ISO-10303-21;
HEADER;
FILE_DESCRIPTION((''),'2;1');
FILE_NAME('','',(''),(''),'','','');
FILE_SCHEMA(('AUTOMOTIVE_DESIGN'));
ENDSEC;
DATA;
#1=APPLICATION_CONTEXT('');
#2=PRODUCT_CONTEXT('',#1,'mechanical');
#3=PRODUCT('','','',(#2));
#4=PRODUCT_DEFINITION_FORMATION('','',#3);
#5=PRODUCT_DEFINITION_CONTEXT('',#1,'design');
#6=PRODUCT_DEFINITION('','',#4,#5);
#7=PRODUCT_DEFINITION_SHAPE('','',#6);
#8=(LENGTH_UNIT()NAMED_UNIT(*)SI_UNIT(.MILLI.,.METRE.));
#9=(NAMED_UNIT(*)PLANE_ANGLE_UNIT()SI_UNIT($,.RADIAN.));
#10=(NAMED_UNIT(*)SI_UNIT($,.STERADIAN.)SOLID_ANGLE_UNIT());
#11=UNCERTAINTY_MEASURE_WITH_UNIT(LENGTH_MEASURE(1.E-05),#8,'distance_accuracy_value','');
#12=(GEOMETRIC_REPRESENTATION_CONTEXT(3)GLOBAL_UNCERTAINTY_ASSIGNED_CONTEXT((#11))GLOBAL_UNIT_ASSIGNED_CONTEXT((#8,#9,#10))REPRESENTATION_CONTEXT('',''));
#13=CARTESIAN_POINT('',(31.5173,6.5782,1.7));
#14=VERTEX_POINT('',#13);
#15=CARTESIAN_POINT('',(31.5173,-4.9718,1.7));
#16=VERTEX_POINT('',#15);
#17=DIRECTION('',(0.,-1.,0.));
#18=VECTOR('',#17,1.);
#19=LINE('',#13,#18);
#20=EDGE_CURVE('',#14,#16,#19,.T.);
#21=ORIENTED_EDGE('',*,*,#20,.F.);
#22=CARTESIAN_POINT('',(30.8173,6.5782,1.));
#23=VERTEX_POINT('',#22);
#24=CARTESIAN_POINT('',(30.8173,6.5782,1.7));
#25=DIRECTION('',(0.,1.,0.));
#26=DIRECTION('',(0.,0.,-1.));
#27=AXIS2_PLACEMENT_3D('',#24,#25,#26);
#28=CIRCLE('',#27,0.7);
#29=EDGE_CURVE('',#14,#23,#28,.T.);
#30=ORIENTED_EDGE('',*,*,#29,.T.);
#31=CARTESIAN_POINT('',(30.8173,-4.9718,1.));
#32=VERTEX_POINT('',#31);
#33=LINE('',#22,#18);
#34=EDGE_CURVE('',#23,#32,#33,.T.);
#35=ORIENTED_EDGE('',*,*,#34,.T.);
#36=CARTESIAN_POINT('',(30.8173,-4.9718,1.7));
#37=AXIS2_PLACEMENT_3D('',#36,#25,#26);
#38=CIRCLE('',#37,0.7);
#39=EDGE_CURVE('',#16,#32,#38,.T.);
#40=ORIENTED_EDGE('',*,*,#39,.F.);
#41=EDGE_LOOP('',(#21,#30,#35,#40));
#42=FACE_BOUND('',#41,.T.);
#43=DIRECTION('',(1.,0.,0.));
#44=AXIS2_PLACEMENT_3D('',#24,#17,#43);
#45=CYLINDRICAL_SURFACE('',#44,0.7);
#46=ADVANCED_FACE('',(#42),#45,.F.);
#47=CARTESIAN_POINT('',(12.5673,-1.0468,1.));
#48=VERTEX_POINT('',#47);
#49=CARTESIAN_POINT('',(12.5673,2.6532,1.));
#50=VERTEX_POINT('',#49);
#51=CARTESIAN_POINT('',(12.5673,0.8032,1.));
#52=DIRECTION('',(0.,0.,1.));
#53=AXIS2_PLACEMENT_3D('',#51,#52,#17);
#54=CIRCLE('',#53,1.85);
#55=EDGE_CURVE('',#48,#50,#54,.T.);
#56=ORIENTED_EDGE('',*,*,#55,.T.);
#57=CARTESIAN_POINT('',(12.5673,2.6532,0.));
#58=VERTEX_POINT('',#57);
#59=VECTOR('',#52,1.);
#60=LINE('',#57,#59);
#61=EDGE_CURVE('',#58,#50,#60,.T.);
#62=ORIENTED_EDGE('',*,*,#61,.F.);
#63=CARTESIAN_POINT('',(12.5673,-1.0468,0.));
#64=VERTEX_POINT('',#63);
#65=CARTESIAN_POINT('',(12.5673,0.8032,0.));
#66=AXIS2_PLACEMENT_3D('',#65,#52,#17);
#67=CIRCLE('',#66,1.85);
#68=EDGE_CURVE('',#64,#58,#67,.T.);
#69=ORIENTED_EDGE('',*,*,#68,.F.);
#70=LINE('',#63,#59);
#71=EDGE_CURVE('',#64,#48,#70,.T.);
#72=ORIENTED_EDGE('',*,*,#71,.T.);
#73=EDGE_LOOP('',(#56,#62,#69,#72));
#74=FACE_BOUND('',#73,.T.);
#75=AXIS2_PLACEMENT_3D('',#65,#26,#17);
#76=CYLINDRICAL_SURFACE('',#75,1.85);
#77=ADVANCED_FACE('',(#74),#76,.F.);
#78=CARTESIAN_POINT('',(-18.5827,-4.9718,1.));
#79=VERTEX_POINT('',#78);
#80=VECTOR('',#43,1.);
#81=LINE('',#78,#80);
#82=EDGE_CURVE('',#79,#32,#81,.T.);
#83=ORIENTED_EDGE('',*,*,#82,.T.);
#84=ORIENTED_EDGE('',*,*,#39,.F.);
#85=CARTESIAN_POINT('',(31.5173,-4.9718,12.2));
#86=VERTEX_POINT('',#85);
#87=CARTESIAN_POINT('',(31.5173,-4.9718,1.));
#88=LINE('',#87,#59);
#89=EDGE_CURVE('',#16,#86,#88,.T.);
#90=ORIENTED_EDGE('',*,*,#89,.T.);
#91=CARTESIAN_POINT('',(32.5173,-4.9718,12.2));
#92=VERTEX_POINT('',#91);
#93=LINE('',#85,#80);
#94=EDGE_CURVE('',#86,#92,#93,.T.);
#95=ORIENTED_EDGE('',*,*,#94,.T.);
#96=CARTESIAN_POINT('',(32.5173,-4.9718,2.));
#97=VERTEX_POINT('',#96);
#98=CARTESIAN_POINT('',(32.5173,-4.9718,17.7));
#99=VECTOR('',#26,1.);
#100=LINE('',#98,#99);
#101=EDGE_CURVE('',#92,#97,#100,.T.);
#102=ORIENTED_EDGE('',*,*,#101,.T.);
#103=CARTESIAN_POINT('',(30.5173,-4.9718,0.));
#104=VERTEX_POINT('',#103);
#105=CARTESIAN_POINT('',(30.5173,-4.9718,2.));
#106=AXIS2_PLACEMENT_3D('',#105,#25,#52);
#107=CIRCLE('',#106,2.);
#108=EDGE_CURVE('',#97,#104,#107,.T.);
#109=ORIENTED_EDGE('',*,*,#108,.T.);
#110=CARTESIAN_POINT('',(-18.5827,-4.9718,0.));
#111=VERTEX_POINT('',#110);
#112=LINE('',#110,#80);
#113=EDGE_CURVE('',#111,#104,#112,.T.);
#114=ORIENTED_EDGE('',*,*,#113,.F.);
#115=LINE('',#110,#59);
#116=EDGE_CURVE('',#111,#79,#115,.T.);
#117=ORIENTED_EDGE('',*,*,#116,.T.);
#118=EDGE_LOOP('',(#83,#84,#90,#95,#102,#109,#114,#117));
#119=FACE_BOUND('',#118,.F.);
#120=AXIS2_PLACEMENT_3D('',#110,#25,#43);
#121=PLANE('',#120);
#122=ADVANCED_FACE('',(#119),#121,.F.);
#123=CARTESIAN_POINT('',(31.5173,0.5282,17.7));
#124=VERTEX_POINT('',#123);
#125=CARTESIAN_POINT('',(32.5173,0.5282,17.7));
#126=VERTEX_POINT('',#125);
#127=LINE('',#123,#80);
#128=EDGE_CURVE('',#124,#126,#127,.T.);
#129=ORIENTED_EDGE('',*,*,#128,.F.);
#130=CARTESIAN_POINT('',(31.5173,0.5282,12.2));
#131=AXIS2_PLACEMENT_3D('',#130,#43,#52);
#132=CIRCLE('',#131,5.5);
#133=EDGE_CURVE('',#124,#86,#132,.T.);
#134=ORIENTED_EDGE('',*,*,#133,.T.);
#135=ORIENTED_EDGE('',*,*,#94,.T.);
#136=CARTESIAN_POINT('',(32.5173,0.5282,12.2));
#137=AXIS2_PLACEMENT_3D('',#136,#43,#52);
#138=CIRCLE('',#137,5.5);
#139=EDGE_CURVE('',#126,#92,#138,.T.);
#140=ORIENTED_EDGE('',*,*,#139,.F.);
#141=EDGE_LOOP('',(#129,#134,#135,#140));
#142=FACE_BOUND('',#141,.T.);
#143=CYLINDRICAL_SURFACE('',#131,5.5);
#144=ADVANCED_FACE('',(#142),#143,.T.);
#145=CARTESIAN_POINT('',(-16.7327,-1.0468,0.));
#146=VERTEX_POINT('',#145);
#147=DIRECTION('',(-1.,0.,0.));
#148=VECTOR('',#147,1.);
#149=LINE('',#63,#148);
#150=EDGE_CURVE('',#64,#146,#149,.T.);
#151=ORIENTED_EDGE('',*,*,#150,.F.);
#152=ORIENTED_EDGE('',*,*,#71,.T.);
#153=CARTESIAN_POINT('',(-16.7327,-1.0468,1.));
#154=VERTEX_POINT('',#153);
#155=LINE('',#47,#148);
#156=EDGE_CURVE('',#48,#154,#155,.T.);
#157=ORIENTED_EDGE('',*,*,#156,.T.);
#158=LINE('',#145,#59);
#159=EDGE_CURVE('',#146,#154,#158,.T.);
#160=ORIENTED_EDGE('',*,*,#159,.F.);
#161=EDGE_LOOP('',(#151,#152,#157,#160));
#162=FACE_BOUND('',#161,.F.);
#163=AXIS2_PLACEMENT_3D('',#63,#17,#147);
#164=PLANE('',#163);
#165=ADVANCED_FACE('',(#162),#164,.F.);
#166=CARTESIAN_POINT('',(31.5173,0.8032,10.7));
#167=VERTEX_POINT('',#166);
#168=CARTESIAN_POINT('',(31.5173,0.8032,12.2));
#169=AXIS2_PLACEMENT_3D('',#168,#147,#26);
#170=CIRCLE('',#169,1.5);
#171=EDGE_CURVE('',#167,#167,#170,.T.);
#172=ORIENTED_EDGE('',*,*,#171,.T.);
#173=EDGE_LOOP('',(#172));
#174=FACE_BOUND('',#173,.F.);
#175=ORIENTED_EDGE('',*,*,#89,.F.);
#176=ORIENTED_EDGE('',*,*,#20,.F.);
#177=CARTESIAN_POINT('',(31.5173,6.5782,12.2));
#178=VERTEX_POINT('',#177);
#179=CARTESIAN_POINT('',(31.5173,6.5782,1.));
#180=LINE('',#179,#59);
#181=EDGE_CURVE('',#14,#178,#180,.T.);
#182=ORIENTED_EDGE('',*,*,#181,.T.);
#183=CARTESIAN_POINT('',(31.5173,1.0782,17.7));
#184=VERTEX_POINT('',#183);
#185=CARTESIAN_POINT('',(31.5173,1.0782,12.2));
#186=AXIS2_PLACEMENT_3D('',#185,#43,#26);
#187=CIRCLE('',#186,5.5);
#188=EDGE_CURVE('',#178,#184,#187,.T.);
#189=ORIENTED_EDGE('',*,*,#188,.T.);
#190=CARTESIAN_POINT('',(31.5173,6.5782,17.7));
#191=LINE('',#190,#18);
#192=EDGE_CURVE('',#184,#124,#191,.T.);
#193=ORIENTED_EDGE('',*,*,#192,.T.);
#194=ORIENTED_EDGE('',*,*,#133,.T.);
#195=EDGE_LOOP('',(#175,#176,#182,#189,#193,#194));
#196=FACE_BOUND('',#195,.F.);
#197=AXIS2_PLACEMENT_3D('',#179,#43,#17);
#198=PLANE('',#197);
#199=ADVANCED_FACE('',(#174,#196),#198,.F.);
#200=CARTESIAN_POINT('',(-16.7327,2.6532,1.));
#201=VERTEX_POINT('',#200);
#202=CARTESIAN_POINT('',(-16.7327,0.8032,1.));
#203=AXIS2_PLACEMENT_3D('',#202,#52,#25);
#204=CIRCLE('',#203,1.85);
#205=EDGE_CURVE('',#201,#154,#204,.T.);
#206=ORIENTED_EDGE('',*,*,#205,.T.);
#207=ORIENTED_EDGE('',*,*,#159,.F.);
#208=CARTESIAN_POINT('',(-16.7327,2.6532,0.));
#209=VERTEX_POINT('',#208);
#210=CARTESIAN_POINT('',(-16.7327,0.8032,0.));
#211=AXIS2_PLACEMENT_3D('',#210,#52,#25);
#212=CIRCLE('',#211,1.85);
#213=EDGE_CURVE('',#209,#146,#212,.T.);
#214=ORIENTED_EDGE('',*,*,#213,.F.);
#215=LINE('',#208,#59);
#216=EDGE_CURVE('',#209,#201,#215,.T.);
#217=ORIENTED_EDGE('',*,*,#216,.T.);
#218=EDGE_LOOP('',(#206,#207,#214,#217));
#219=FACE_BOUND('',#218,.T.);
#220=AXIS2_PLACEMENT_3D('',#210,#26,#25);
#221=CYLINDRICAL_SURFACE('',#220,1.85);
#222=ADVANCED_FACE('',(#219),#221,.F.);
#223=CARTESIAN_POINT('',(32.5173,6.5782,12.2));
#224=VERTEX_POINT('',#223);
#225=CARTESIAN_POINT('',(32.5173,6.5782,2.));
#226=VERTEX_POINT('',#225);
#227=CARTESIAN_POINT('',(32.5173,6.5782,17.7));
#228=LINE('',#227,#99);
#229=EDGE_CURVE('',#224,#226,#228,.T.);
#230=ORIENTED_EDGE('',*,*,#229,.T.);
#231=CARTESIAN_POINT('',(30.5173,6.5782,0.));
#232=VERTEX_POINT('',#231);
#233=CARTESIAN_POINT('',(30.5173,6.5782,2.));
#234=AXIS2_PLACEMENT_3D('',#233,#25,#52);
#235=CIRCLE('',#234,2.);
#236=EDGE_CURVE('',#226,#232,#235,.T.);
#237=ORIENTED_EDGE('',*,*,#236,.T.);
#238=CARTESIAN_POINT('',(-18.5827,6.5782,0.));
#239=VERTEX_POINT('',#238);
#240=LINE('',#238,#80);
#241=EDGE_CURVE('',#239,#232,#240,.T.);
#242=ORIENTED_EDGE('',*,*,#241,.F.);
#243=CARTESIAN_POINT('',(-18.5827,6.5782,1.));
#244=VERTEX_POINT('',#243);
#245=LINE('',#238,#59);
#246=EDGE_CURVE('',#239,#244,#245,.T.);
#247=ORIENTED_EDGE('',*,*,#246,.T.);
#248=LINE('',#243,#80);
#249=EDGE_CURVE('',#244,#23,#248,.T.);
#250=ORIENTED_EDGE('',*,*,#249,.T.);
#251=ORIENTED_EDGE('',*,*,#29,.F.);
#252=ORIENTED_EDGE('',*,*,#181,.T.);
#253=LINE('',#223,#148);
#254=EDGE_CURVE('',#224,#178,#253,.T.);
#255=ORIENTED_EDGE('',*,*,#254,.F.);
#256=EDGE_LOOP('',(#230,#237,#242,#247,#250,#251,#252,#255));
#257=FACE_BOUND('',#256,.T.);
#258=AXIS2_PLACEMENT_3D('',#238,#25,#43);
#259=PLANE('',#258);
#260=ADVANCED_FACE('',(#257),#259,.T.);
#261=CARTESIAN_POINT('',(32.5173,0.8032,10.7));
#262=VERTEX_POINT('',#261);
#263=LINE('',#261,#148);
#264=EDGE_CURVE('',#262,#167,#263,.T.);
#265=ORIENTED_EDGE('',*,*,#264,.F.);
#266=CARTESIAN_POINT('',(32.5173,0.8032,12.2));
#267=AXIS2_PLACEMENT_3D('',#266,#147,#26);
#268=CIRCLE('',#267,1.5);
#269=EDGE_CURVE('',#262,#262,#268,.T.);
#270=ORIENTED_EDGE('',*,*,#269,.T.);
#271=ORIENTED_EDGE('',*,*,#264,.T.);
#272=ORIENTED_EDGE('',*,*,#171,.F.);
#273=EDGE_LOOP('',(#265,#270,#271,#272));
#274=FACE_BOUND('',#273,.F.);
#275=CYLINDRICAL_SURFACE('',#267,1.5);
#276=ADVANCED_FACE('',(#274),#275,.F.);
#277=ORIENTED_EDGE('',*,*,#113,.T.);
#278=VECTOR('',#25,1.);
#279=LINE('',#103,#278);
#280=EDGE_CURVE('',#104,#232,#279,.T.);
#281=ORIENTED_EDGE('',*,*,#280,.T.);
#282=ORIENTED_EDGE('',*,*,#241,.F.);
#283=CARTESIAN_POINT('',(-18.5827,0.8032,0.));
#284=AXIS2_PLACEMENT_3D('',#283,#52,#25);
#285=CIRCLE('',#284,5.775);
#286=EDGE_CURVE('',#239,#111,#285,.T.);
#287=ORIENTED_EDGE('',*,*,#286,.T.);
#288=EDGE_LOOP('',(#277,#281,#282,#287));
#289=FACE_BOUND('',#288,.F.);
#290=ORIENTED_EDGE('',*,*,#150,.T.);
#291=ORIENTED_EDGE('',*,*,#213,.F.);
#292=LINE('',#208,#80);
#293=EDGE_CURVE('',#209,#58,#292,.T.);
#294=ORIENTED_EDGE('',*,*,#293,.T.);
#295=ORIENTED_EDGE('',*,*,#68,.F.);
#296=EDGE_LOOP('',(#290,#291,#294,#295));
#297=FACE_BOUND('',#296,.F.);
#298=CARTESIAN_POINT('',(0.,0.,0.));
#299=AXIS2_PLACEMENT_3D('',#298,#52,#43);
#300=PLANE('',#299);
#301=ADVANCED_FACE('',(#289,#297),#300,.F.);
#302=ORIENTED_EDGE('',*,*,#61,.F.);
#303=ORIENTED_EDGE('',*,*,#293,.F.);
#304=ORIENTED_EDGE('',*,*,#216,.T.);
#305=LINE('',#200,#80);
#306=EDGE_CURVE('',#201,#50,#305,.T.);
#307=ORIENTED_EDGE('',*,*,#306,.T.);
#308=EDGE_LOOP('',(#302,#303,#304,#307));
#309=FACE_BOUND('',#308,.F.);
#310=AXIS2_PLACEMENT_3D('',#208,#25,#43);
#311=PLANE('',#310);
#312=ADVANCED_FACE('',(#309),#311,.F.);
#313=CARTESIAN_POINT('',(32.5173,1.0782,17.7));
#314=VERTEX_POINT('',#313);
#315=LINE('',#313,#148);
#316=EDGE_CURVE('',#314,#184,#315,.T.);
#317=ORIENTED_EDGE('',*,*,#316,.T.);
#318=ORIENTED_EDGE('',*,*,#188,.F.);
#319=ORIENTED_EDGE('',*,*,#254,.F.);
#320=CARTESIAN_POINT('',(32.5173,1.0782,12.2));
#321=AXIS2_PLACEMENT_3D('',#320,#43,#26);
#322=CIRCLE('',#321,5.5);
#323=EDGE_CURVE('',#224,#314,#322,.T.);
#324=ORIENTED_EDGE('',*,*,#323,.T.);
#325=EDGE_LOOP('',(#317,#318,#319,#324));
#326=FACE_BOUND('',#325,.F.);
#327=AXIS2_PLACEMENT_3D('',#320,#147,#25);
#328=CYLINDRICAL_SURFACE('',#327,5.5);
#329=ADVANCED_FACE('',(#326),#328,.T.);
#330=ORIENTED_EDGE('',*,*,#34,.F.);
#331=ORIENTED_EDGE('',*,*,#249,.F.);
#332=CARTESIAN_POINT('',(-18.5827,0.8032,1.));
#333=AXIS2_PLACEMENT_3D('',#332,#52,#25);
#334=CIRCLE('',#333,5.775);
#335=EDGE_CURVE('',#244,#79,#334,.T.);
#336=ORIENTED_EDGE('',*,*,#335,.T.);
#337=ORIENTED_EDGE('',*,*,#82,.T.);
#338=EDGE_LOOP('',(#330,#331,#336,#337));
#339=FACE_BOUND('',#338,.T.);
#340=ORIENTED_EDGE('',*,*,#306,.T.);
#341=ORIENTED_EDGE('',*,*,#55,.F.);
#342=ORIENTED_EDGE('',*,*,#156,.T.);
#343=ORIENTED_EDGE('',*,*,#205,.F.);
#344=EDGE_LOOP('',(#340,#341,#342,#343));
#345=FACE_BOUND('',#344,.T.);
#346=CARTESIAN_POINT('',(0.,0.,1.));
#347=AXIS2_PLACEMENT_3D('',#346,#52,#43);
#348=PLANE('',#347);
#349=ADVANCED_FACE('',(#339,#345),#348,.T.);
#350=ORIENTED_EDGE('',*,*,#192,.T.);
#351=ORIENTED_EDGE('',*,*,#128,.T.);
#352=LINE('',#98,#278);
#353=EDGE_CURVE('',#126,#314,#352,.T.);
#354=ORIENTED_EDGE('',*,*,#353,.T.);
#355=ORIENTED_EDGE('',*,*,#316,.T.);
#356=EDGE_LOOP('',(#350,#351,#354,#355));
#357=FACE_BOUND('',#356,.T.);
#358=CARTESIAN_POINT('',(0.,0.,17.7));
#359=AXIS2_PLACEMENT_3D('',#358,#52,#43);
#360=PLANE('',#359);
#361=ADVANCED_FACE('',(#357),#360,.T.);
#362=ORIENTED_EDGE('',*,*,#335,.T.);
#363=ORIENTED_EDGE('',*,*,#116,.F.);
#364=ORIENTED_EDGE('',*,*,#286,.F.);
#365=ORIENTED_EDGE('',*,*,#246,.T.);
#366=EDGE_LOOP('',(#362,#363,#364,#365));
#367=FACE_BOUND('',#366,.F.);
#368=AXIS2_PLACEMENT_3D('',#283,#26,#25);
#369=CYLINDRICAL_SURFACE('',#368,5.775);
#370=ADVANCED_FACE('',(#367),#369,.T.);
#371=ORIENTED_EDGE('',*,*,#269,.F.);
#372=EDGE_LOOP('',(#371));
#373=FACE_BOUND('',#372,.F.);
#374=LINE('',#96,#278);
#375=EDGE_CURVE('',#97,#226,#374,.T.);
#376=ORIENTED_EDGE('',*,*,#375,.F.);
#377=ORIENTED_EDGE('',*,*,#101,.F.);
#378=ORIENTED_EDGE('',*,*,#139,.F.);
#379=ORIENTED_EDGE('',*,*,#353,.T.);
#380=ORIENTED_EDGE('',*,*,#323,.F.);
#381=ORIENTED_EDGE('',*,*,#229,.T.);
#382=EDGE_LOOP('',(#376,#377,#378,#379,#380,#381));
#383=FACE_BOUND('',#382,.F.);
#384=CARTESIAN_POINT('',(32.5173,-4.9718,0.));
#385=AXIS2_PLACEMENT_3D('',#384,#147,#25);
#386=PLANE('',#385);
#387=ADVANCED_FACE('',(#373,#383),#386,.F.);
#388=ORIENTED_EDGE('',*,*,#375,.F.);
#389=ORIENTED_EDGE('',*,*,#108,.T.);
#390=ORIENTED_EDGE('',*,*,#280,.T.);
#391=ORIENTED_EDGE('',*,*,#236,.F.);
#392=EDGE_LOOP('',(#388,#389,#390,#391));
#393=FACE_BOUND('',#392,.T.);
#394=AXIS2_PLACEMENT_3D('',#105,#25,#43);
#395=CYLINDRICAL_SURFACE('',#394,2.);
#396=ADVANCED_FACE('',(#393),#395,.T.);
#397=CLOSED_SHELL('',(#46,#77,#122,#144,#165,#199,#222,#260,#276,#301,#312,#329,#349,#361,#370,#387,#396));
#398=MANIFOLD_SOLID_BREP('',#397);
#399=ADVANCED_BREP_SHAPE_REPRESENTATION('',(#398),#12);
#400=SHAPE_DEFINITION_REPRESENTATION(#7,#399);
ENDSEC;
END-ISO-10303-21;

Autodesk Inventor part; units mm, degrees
ref_plane "YZ Plane" through (0, 0, 0) normal (1, 0, 0) x (0, 1, 0)
ref_plane "XZ Plane" through (0, 0, 0) normal (0, 1, 0) x (-1, 0, 0)
ref_plane "XY Plane" through (0, 0, 0) normal (0, 0, 1) x (1, 0, 0)
sketch "Esboço1" plane through (0, 0, 0) normal (0, 0, 1) x (1, 0, 0)
  line L0 (-18.5827, 6.5782) -> (32.5173, 6.5782)
  line L1 (-18.5827, -4.9718) -> (32.5173, -4.9718)
  line L2 (32.5173, -4.9718) -> (32.5173, 6.5782)
  arc A0 (-18.5827, 6.5782) -> (-18.5827, -4.9718) centre (-18.5827, 0.8032) ccw
  line L3 (-16.7327, 2.6532) -> (12.5673, 2.6532)
  line L4 (12.5673, -1.0468) -> (-16.7327, -1.0468)
  arc A1 (-16.7327, 2.6532) -> (-16.7327, -1.0468) centre (-16.7327, 0.8032) ccw
  arc A2 (12.5673, -1.0468) -> (12.5673, 2.6532) centre (12.5673, 0.8032) ccw
  point P0 (0, 0)
  point P1 (-2.0827, 0.8032)
  point P2 (-2.0827, 0.8032)
extrude "Extrusão1" add sketch "Esboço1" along normal blind 1
sketch "Esboço2" plane through (0, 0, 1) normal (0, 0, 1) x (1, 0, 0)
  line L0 (32.5173, 6.5782) -> (31.5173, 6.5782)
  line L1 (31.5173, 6.5782) -> (31.5173, -4.9718)
  line L2 (31.5173, -4.9718) -> (32.5173, -4.9718)
  line L3 (32.5173, -4.9718) -> (32.5173, 6.5782)
  point P0 (0, 0)
  dimension "d8" = 1
extrude "Extrusão2" add sketch "Esboço2" along normal blind 16.7
fillet "Arredondamento1" radius 5.5 1 edges at (32.0173, 6.5782, 17.7)
fillet "Arredondamento2" radius 5.5 1 edges at (32.0173, -4.9718, 17.7)
sketch "Esboço3" plane through (32.5173, -4.9718, 0) normal (1, 0, 0) x (0, 0, -1)
  circle A0 centre (-12.2, 5.775) radius 1.5
  line L0 (0, 11.55) -> (0, 0) projected
  point P0 (0, 4.9718)
  dimension "d25" = 12.2
hole "Furo1" at (32.5173, 0.8032, 12.2) direction (-1, 0, 0) diameter 3 end through all
fillet "Fillet3" radius 0.7 1 edges at (31.5173, 0.8032, 1)
fillet "Fillet4" radius 2 1 edges at (32.5173, 0.8032, 0)
equation "\"BendRadius\" = Thickness"
equation "\"BendReliefWidth\" = Thickness"
equation "\"BendReliefDepth\" = 0.5 * Thickness"
equation "\"CornerReliefSize\" = 4 * Thickness"
equation "\"MinimumRemnant\" = 2 * Thickness"
equation "\"TransitionRadius\" = BendRadius"
equation "\"JacobiRadiusSize\" = Thickness"
equation "\"GapSize\" = Thickness"
equation "\"Thickness\" = 0.5"
properties part number "apoio de escudo2"
